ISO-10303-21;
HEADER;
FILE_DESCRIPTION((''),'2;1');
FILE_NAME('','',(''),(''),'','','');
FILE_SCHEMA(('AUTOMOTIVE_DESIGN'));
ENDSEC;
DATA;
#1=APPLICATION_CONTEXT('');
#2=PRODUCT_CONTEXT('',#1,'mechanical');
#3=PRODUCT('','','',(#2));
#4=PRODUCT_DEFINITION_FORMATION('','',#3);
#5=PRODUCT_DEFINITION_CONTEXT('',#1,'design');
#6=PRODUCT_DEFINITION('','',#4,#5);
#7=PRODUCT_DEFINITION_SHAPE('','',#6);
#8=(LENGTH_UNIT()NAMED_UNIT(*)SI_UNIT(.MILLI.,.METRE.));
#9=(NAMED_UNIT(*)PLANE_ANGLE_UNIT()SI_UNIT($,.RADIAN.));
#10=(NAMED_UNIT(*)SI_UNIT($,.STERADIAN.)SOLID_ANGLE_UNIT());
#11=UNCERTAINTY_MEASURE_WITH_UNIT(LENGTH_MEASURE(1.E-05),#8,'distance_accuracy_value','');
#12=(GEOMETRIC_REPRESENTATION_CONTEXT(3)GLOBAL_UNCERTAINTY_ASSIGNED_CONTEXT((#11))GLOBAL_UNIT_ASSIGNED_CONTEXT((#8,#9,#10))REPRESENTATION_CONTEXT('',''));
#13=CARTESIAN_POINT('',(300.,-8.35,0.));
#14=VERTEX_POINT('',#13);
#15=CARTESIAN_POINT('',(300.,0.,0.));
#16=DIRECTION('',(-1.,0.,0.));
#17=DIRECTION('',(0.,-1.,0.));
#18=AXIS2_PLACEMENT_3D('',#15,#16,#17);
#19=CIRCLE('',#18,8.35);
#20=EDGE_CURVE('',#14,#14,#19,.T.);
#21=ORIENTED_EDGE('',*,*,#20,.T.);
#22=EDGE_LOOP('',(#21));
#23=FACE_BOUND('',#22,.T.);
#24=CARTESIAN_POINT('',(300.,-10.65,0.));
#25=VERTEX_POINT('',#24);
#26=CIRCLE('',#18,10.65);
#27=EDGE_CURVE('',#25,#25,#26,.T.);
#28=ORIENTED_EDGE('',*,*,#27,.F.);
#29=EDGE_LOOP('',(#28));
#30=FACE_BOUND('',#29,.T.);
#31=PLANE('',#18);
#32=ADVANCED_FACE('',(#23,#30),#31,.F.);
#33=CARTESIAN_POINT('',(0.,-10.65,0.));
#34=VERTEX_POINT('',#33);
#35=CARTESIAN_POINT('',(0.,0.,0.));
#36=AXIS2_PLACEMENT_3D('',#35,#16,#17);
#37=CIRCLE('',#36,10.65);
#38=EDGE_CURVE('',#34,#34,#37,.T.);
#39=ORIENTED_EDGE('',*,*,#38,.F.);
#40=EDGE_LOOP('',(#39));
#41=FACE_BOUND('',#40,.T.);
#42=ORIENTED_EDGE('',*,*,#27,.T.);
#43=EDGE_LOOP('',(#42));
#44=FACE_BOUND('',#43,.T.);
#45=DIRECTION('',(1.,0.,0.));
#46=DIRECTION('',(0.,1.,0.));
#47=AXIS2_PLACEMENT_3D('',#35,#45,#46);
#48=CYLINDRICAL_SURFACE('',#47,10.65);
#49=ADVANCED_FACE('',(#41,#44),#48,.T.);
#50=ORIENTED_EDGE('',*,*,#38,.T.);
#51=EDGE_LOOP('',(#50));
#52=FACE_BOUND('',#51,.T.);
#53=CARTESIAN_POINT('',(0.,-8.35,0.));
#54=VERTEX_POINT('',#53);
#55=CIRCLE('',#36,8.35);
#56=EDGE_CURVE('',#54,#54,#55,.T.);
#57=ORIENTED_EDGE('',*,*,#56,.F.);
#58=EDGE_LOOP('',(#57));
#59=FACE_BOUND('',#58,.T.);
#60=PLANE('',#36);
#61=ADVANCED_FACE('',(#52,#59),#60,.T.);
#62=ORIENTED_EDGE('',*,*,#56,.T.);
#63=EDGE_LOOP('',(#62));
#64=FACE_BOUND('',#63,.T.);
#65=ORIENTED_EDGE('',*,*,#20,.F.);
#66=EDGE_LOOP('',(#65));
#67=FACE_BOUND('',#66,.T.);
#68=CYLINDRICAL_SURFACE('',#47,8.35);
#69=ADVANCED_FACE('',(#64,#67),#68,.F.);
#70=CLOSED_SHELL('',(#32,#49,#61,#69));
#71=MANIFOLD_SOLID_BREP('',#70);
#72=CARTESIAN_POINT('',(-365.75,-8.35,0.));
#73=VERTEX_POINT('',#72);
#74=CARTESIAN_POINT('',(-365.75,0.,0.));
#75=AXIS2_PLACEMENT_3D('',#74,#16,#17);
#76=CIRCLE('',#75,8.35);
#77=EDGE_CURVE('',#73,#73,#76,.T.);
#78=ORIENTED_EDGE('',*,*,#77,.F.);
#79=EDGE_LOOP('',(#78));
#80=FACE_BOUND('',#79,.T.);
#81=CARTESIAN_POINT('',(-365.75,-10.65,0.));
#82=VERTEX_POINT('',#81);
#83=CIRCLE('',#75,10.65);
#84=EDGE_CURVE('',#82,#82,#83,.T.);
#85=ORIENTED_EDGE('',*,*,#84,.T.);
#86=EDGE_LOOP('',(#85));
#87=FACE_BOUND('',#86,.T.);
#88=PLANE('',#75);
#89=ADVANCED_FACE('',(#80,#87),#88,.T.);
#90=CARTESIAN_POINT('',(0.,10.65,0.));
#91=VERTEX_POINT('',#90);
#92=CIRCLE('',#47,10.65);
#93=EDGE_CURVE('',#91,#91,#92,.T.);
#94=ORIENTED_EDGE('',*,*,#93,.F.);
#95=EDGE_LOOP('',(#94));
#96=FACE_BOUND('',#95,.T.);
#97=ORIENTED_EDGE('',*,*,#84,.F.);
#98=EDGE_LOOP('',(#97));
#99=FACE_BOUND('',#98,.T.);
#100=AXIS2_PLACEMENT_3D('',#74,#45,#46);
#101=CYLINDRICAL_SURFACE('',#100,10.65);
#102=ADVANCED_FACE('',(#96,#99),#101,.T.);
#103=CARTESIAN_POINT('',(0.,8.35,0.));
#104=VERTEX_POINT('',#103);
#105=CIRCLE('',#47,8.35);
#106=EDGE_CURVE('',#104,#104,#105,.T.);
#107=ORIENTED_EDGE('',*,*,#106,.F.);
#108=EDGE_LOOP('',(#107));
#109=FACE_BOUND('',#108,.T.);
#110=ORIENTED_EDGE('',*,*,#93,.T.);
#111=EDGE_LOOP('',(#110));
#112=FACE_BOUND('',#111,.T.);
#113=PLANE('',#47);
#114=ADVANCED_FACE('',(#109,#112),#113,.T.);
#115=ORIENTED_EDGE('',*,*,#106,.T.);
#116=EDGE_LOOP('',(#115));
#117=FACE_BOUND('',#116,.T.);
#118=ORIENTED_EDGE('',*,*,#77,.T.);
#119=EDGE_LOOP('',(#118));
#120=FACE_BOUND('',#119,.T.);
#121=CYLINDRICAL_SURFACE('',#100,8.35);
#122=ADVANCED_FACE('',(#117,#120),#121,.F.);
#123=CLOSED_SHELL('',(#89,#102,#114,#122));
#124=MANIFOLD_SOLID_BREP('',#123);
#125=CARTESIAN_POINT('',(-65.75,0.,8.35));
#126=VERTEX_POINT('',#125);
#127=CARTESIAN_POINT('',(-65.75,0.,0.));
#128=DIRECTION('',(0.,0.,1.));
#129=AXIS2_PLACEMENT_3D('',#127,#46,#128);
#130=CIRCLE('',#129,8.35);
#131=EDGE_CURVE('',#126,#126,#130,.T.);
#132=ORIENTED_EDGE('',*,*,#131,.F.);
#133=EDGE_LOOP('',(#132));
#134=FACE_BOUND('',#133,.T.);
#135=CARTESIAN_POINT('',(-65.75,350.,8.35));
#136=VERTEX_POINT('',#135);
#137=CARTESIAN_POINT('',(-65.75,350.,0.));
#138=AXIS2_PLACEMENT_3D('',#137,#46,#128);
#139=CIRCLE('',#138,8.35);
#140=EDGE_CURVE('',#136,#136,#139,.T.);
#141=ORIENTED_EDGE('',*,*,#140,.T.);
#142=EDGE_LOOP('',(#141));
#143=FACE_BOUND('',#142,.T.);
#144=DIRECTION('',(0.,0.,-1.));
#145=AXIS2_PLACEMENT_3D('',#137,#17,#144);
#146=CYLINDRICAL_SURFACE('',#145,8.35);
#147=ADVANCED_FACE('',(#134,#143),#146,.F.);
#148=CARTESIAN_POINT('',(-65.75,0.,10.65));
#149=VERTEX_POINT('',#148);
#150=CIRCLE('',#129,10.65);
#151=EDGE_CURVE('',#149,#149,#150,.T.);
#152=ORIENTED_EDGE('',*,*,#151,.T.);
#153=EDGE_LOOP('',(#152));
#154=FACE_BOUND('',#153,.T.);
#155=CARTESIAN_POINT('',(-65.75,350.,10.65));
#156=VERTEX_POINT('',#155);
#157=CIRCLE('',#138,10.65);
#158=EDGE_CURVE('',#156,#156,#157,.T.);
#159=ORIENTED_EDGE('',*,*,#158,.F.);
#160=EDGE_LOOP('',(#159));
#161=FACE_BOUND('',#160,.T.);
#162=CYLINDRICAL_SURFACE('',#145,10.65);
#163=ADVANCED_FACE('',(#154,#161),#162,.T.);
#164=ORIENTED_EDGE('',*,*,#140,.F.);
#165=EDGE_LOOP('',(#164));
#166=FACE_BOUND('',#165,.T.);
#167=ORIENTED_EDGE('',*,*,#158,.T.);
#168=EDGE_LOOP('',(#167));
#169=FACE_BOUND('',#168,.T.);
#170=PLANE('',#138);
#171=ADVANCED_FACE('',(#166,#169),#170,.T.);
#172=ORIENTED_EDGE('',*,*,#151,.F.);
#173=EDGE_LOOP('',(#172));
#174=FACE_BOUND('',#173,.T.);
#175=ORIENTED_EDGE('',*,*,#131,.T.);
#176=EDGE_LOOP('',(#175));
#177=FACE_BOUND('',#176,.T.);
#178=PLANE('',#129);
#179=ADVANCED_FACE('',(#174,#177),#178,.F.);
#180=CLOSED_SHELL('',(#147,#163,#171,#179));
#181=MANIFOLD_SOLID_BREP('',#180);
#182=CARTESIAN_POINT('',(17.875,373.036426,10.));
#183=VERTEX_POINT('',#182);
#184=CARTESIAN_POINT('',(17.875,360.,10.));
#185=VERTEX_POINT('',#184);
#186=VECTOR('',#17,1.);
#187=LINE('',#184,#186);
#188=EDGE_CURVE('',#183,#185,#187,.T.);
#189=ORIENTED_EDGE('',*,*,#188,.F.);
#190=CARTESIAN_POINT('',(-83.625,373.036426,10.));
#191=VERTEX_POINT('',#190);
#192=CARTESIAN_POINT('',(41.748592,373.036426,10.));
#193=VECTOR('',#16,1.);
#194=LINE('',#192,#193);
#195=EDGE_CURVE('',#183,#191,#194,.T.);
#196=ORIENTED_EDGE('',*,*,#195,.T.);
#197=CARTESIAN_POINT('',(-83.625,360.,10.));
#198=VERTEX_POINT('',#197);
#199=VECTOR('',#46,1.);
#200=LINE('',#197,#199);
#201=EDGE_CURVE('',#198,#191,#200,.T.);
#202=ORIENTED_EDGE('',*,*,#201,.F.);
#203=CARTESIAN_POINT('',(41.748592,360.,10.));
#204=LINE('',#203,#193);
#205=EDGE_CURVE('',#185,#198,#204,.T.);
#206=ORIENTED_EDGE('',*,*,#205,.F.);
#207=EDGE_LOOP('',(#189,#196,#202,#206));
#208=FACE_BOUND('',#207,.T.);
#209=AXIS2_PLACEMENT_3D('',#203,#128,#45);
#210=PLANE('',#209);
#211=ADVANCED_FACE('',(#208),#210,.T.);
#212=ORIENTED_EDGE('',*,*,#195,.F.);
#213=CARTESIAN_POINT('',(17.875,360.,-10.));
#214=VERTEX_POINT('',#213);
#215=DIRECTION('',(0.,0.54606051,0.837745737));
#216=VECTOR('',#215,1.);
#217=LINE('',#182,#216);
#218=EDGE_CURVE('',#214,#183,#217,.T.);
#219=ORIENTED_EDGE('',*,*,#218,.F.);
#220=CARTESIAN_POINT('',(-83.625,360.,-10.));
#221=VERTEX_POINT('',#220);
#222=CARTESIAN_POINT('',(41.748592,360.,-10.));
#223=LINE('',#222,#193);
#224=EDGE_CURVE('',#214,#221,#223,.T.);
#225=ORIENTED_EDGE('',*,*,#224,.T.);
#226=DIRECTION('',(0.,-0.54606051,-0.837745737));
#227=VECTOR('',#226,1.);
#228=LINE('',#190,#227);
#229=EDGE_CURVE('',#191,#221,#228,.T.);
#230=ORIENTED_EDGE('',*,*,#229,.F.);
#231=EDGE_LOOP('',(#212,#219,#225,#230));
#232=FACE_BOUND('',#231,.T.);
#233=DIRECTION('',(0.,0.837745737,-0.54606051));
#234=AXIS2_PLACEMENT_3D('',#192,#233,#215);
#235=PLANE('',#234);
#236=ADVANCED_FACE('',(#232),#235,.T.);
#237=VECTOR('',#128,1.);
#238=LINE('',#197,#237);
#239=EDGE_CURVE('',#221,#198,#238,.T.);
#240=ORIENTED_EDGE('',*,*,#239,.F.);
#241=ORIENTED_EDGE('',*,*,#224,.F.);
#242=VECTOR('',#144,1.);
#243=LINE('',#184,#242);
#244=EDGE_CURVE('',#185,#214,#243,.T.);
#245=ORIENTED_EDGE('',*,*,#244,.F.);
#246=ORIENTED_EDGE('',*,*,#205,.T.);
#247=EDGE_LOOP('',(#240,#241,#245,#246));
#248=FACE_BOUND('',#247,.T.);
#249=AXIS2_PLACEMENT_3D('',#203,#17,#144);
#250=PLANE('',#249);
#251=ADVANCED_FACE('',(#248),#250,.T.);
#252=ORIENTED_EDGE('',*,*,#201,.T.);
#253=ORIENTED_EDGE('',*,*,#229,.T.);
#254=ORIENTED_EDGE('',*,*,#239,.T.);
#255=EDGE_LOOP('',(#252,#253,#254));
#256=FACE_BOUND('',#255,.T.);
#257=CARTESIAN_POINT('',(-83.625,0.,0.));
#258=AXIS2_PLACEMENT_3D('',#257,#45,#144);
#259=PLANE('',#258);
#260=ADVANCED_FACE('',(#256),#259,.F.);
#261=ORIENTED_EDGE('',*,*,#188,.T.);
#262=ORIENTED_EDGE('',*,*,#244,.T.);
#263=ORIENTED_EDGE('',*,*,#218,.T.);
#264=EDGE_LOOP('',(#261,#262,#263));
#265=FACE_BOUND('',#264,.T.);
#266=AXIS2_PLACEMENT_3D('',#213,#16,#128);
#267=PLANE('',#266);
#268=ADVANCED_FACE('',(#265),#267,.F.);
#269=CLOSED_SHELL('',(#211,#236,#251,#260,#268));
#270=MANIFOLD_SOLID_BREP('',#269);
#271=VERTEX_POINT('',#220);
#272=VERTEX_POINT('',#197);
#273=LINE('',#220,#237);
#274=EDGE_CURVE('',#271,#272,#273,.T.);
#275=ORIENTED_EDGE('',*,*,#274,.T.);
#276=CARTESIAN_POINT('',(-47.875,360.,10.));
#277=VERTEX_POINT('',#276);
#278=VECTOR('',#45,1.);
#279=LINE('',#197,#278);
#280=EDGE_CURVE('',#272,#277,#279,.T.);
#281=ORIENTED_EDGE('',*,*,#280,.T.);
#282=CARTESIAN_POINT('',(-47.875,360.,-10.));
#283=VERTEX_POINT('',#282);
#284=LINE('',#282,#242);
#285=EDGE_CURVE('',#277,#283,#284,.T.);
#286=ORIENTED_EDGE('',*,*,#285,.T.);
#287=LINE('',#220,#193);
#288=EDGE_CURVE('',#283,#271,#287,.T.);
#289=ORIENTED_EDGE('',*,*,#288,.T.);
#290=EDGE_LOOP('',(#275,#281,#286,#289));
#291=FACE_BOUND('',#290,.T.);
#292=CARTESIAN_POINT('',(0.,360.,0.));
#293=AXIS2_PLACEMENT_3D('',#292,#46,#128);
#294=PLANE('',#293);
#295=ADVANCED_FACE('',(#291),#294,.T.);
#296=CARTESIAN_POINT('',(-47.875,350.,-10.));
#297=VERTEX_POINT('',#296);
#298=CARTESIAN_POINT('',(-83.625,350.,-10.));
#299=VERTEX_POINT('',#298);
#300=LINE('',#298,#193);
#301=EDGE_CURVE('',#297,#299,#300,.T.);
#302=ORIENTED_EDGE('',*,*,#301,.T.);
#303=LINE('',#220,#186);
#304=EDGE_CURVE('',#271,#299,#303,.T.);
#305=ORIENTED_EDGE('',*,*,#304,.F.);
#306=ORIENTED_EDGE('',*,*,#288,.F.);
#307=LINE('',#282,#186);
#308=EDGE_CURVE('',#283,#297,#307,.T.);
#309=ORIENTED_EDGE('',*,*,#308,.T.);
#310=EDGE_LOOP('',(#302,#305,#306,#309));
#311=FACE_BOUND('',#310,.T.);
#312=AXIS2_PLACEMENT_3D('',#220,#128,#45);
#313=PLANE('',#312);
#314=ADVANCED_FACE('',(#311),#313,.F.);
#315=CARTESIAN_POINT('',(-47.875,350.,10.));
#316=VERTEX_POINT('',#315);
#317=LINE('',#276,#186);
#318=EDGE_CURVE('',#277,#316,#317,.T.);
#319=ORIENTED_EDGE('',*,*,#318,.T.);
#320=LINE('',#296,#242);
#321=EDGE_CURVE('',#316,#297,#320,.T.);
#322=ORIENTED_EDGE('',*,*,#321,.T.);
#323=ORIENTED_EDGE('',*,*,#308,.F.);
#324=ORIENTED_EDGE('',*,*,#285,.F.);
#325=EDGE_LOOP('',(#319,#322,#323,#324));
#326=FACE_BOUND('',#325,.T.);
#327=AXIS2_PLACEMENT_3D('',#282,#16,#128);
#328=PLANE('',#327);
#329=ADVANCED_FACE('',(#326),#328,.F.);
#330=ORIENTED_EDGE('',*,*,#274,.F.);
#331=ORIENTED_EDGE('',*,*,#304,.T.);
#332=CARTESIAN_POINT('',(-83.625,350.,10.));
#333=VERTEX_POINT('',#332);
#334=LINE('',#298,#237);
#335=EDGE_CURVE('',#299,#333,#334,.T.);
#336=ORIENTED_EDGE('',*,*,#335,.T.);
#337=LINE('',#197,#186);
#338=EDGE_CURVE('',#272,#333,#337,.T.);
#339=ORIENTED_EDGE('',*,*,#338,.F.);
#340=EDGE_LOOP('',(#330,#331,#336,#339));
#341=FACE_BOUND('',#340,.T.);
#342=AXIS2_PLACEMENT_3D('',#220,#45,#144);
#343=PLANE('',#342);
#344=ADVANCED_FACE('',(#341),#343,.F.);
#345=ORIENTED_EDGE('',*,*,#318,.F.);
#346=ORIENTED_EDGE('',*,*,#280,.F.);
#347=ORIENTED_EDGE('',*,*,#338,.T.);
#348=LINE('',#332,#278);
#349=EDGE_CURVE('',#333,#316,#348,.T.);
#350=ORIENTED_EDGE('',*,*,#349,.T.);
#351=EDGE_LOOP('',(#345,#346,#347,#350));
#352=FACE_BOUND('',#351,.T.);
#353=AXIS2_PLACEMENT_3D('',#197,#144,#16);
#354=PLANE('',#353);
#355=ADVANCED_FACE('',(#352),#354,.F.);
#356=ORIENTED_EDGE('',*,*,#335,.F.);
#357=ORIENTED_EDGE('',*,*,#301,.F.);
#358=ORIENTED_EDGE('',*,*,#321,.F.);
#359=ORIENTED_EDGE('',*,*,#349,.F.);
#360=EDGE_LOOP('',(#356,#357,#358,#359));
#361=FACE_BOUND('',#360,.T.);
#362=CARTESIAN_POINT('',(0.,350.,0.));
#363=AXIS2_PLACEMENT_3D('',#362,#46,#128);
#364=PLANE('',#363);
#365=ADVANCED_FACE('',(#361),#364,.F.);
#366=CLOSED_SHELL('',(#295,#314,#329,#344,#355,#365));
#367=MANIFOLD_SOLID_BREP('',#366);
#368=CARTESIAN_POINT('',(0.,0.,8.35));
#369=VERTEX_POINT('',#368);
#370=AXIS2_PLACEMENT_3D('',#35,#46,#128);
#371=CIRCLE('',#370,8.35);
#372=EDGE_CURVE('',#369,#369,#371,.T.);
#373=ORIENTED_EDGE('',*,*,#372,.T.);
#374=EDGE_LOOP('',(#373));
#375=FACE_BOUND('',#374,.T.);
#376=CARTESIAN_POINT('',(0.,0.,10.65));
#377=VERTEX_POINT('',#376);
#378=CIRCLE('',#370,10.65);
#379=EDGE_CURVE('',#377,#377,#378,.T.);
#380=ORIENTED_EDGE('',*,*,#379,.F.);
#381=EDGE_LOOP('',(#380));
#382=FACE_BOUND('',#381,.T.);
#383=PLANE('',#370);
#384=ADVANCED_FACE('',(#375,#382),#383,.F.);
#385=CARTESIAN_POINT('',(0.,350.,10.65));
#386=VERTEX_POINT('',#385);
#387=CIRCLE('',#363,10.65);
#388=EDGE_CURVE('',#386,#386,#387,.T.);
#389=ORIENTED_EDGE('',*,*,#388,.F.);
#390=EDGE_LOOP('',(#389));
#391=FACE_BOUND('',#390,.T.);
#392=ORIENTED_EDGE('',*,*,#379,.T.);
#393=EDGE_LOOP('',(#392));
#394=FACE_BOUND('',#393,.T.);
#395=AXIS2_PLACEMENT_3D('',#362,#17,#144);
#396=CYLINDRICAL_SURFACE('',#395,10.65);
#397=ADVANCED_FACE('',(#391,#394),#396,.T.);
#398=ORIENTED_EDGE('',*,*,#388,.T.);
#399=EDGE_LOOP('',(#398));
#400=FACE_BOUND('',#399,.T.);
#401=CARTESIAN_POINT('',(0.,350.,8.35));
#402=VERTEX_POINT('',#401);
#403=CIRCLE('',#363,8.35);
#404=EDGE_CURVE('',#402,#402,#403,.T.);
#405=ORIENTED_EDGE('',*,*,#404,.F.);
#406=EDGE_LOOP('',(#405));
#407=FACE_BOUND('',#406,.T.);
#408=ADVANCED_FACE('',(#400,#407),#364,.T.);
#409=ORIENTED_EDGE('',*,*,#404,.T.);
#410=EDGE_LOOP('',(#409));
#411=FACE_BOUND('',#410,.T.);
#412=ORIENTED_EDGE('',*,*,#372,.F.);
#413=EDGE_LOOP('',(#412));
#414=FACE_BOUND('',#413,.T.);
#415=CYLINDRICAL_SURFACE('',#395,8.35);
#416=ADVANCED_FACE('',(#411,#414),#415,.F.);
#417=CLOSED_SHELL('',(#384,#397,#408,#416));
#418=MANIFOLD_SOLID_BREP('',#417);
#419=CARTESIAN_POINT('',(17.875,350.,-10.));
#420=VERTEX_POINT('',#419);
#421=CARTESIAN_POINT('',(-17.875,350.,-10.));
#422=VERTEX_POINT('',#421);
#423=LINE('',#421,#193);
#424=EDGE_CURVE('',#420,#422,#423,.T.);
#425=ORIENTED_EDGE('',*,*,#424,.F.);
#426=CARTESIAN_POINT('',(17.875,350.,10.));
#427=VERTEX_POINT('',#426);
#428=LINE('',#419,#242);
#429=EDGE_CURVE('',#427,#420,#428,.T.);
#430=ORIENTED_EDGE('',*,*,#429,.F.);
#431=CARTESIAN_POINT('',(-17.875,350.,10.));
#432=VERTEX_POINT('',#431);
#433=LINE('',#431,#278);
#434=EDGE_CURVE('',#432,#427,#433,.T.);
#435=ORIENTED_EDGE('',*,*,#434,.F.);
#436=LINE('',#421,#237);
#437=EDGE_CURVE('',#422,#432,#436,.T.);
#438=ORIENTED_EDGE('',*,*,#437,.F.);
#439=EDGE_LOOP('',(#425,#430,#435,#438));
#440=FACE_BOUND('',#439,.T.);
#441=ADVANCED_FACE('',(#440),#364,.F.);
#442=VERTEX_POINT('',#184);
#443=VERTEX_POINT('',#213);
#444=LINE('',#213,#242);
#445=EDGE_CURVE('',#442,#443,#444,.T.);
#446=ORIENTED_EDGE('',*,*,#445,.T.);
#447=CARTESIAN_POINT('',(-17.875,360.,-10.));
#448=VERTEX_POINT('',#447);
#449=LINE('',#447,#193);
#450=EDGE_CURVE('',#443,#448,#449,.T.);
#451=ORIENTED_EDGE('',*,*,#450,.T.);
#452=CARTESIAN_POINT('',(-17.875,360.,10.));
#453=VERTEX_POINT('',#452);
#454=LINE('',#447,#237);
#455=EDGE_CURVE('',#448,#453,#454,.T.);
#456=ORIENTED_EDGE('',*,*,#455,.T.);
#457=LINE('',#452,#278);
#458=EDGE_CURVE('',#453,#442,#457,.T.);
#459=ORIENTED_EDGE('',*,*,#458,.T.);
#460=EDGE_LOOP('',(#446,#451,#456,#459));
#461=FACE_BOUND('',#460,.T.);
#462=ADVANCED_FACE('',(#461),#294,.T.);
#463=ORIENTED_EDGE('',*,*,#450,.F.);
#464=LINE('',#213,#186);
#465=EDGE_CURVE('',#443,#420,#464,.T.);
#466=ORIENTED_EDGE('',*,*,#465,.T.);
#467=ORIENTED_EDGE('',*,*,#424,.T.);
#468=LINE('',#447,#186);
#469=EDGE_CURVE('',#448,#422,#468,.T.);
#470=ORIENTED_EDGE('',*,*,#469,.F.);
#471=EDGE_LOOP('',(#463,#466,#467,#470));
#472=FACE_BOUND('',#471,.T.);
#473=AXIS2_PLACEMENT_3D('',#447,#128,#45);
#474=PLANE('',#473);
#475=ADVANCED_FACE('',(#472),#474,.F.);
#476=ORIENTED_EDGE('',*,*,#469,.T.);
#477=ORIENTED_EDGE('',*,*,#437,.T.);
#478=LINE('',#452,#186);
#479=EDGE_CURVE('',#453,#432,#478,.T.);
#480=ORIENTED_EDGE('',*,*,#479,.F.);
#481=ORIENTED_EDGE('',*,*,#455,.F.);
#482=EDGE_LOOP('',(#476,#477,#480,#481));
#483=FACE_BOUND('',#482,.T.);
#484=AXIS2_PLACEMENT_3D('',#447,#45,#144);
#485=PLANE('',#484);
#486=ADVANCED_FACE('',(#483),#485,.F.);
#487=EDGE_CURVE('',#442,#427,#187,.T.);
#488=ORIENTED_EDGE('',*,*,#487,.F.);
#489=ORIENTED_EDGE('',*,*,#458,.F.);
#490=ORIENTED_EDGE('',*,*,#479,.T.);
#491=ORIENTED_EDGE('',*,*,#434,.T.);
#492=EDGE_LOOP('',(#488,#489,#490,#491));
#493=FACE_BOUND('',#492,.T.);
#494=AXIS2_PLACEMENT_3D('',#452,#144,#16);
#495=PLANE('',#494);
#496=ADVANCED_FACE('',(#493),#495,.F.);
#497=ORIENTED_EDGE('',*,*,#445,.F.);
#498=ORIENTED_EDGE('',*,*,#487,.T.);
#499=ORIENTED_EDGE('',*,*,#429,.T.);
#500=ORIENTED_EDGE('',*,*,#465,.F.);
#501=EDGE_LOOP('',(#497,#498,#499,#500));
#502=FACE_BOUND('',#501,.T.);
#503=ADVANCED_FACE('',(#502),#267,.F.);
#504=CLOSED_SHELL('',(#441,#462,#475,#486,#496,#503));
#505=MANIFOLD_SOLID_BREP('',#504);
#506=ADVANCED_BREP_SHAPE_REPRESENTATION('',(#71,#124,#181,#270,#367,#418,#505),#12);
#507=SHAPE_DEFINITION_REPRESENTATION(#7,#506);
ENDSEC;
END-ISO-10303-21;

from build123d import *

# Parameters (mm, degrees)
SKETCH12_R                           = 10.65
SKETCH12_R_2                         = 8.35
PIPE_CONFIGURED_21_3_X_2_3_1_DEPTH   = 350
SKETCH12_ON_SEGMENT_2_R              = 10.65
SKETCH12_ON_SEGMENT_2_R_2            = 8.35
PIPE_CONFIGURED_21_3_X_2_3_1_2_DEPTH = 350
SKETCH13_R                           = 10.65
SKETCH13_R_2                         = 8.35
PIPE_CONFIGURED_21_3_X_2_3_2_DEPTH   = 300
SKETCH13_ON_SEGMENT_2_R              = 10.65
SKETCH13_ON_SEGMENT_2_R_2            = 8.35
PIPE_CONFIGURED_21_3_X_2_3_2_2_DEPTH = 365.75
SKETCH15_W                           = 35.75
SKETCH15_H                           = 20
BOSS_EXTRUDE3_DEPTH                  = 10
BOSS_EXTRUDE3_2_DEPTH                = 10
BOSS_EXTRUDE4_DEPTH                  = 101.5


with BuildPart() as part:
    # Sketch12 → Pipe - configured 21.3 X 2.3(1) (new body)
    with BuildSketch(Plane(origin=(-65.75, 0, 0), x_dir=(-1, 0, 0), z_dir=(0, 1, 0))):
        Circle(SKETCH12_R)
        Circle(SKETCH12_R_2, mode=Mode.SUBTRACT)
    extrude(amount=PIPE_CONFIGURED_21_3_X_2_3_1_DEPTH)


with BuildPart() as body_2:
    # Sketch12 on segment 2 (carried to segment 2) → Pipe - configured 21.3 X 2.3_1 2 (new body)
    with BuildSketch(Plane(origin=(0, 0, 0), x_dir=(-1, 0, 0), z_dir=(0, 1, 0))):
        Circle(SKETCH12_ON_SEGMENT_2_R)
        Circle(SKETCH12_ON_SEGMENT_2_R_2, mode=Mode.SUBTRACT)
    extrude(amount=PIPE_CONFIGURED_21_3_X_2_3_1_2_DEPTH)


with BuildPart() as body_3:
    # Sketch13 → Pipe - configured 21.3 X 2.3(2) (new body)
    with BuildSketch(Plane(origin=(0, 0, 0), x_dir=(0, -1, 0), z_dir=(-1, 0, 0))):
        Circle(SKETCH13_R)
        Circle(SKETCH13_R_2, mode=Mode.SUBTRACT)
    extrude(amount=-PIPE_CONFIGURED_21_3_X_2_3_2_DEPTH)


with BuildPart() as body_4:
    # Sketch13 on segment 2 (carried to segment 2) → Pipe - configured 21.3 X 2.3_2 2 (new body)
    with BuildSketch(Plane(origin=(0, 0, 0), x_dir=(0, -1, 0), z_dir=(-1, 0, 0))):
        Circle(SKETCH13_ON_SEGMENT_2_R)
        Circle(SKETCH13_ON_SEGMENT_2_R_2, mode=Mode.SUBTRACT)
    extrude(amount=PIPE_CONFIGURED_21_3_X_2_3_2_2_DEPTH)


with BuildPart() as body_5:
    # Sketch15 → Boss-Extrude3 (new body)
    with BuildSketch(Plane(origin=(0, 350, 0), x_dir=(1, 0, 0), z_dir=(0, 1, 0))):
        with Locations((-65.75, 0)):
            Rectangle(SKETCH15_W, SKETCH15_H)
    extrude(amount=BOSS_EXTRUDE3_DEPTH)


with BuildPart() as body_6:
    # Sketch15 → Boss-Extrude3 2 (new body)
    with BuildSketch(Plane(origin=(0, 350, 0), x_dir=(1, 0, 0), z_dir=(0, 1, 0))):
        Rectangle(SKETCH15_W, SKETCH15_H)
    extrude(amount=BOSS_EXTRUDE3_2_DEPTH)


with BuildPart() as body_7:
    # Sketch16 → Boss-Extrude4 (new body)
    with BuildSketch(Plane.ZY.offset(83.625)):
        Polygon((10, 360), (10, 373.036425871), (-10, 360), align=None)
    extrude(amount=-BOSS_EXTRUDE4_DEPTH)


solid = Compound([part.part, body_2.part, body_3.part, body_4.part, body_5.part, body_6.part, body_7.part])
